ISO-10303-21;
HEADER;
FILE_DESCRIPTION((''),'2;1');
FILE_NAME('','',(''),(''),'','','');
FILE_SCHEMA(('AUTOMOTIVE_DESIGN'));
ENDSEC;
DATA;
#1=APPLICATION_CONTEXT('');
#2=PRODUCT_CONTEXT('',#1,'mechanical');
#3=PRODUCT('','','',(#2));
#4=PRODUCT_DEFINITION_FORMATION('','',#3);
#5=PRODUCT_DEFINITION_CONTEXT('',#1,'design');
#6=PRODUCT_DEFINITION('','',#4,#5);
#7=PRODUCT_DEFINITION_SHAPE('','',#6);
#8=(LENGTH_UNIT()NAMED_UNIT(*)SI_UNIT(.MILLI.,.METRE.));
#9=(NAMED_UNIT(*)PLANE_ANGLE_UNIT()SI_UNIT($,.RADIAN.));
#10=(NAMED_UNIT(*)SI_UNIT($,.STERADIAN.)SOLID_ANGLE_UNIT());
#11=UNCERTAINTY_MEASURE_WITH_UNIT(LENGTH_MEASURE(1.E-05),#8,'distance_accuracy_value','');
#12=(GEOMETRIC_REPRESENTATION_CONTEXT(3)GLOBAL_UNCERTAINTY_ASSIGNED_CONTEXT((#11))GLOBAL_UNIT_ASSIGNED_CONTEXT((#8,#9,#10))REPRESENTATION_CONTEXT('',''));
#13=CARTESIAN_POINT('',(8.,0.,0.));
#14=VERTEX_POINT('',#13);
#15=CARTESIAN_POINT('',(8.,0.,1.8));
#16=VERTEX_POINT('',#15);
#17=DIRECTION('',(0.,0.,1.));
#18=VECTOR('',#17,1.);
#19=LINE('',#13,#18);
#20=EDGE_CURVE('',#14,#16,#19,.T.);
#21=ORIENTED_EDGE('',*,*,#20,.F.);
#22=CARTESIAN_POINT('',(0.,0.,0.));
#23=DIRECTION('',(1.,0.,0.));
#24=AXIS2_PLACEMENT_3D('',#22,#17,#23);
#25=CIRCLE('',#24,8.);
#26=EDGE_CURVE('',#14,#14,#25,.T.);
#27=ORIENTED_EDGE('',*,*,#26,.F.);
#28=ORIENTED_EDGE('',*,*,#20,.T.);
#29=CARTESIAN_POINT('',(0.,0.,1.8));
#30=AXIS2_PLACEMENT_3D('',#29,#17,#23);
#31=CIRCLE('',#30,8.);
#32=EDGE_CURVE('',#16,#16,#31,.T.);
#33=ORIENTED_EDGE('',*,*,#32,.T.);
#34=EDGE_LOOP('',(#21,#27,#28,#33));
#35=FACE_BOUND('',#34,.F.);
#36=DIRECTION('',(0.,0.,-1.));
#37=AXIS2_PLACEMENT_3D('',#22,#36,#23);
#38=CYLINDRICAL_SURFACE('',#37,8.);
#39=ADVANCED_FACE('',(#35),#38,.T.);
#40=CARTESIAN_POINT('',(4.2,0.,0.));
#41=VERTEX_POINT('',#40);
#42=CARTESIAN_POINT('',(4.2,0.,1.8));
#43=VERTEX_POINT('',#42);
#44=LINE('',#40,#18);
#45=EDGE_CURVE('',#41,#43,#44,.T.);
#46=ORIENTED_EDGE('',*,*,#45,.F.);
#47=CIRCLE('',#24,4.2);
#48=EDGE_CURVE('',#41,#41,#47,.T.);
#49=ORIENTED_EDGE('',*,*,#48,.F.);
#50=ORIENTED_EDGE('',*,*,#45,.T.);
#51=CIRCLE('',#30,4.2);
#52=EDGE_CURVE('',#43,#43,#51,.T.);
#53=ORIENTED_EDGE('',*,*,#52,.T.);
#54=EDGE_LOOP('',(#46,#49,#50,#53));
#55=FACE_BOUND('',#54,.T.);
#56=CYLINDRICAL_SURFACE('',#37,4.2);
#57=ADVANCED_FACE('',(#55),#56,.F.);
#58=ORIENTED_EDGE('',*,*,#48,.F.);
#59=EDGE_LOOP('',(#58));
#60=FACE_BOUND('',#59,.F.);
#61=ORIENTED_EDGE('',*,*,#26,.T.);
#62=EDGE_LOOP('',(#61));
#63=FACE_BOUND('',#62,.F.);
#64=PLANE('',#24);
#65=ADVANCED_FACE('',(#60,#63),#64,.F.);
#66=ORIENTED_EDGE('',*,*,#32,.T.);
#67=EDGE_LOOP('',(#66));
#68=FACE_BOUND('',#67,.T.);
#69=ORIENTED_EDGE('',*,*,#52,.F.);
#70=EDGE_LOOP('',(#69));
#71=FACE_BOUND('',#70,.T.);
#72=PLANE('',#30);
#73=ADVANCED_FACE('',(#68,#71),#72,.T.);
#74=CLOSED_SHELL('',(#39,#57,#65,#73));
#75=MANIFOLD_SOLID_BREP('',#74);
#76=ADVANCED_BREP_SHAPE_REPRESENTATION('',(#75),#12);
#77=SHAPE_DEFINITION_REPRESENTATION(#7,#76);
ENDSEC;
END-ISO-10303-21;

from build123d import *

# Parameters (mm, degrees)
SKETCH1_R         = 8
SKETCH1_R_2       = 4.2
WASHER_BOSS_DEPTH = 1.8


with BuildPart() as part:
    # Sketch1 → washer_boss (new body)
    with BuildSketch(Plane.XY):
        Circle(SKETCH1_R)
        Circle(SKETCH1_R_2, mode=Mode.SUBTRACT)
    extrude(amount=WASHER_BOSS_DEPTH)


solid = part.part
